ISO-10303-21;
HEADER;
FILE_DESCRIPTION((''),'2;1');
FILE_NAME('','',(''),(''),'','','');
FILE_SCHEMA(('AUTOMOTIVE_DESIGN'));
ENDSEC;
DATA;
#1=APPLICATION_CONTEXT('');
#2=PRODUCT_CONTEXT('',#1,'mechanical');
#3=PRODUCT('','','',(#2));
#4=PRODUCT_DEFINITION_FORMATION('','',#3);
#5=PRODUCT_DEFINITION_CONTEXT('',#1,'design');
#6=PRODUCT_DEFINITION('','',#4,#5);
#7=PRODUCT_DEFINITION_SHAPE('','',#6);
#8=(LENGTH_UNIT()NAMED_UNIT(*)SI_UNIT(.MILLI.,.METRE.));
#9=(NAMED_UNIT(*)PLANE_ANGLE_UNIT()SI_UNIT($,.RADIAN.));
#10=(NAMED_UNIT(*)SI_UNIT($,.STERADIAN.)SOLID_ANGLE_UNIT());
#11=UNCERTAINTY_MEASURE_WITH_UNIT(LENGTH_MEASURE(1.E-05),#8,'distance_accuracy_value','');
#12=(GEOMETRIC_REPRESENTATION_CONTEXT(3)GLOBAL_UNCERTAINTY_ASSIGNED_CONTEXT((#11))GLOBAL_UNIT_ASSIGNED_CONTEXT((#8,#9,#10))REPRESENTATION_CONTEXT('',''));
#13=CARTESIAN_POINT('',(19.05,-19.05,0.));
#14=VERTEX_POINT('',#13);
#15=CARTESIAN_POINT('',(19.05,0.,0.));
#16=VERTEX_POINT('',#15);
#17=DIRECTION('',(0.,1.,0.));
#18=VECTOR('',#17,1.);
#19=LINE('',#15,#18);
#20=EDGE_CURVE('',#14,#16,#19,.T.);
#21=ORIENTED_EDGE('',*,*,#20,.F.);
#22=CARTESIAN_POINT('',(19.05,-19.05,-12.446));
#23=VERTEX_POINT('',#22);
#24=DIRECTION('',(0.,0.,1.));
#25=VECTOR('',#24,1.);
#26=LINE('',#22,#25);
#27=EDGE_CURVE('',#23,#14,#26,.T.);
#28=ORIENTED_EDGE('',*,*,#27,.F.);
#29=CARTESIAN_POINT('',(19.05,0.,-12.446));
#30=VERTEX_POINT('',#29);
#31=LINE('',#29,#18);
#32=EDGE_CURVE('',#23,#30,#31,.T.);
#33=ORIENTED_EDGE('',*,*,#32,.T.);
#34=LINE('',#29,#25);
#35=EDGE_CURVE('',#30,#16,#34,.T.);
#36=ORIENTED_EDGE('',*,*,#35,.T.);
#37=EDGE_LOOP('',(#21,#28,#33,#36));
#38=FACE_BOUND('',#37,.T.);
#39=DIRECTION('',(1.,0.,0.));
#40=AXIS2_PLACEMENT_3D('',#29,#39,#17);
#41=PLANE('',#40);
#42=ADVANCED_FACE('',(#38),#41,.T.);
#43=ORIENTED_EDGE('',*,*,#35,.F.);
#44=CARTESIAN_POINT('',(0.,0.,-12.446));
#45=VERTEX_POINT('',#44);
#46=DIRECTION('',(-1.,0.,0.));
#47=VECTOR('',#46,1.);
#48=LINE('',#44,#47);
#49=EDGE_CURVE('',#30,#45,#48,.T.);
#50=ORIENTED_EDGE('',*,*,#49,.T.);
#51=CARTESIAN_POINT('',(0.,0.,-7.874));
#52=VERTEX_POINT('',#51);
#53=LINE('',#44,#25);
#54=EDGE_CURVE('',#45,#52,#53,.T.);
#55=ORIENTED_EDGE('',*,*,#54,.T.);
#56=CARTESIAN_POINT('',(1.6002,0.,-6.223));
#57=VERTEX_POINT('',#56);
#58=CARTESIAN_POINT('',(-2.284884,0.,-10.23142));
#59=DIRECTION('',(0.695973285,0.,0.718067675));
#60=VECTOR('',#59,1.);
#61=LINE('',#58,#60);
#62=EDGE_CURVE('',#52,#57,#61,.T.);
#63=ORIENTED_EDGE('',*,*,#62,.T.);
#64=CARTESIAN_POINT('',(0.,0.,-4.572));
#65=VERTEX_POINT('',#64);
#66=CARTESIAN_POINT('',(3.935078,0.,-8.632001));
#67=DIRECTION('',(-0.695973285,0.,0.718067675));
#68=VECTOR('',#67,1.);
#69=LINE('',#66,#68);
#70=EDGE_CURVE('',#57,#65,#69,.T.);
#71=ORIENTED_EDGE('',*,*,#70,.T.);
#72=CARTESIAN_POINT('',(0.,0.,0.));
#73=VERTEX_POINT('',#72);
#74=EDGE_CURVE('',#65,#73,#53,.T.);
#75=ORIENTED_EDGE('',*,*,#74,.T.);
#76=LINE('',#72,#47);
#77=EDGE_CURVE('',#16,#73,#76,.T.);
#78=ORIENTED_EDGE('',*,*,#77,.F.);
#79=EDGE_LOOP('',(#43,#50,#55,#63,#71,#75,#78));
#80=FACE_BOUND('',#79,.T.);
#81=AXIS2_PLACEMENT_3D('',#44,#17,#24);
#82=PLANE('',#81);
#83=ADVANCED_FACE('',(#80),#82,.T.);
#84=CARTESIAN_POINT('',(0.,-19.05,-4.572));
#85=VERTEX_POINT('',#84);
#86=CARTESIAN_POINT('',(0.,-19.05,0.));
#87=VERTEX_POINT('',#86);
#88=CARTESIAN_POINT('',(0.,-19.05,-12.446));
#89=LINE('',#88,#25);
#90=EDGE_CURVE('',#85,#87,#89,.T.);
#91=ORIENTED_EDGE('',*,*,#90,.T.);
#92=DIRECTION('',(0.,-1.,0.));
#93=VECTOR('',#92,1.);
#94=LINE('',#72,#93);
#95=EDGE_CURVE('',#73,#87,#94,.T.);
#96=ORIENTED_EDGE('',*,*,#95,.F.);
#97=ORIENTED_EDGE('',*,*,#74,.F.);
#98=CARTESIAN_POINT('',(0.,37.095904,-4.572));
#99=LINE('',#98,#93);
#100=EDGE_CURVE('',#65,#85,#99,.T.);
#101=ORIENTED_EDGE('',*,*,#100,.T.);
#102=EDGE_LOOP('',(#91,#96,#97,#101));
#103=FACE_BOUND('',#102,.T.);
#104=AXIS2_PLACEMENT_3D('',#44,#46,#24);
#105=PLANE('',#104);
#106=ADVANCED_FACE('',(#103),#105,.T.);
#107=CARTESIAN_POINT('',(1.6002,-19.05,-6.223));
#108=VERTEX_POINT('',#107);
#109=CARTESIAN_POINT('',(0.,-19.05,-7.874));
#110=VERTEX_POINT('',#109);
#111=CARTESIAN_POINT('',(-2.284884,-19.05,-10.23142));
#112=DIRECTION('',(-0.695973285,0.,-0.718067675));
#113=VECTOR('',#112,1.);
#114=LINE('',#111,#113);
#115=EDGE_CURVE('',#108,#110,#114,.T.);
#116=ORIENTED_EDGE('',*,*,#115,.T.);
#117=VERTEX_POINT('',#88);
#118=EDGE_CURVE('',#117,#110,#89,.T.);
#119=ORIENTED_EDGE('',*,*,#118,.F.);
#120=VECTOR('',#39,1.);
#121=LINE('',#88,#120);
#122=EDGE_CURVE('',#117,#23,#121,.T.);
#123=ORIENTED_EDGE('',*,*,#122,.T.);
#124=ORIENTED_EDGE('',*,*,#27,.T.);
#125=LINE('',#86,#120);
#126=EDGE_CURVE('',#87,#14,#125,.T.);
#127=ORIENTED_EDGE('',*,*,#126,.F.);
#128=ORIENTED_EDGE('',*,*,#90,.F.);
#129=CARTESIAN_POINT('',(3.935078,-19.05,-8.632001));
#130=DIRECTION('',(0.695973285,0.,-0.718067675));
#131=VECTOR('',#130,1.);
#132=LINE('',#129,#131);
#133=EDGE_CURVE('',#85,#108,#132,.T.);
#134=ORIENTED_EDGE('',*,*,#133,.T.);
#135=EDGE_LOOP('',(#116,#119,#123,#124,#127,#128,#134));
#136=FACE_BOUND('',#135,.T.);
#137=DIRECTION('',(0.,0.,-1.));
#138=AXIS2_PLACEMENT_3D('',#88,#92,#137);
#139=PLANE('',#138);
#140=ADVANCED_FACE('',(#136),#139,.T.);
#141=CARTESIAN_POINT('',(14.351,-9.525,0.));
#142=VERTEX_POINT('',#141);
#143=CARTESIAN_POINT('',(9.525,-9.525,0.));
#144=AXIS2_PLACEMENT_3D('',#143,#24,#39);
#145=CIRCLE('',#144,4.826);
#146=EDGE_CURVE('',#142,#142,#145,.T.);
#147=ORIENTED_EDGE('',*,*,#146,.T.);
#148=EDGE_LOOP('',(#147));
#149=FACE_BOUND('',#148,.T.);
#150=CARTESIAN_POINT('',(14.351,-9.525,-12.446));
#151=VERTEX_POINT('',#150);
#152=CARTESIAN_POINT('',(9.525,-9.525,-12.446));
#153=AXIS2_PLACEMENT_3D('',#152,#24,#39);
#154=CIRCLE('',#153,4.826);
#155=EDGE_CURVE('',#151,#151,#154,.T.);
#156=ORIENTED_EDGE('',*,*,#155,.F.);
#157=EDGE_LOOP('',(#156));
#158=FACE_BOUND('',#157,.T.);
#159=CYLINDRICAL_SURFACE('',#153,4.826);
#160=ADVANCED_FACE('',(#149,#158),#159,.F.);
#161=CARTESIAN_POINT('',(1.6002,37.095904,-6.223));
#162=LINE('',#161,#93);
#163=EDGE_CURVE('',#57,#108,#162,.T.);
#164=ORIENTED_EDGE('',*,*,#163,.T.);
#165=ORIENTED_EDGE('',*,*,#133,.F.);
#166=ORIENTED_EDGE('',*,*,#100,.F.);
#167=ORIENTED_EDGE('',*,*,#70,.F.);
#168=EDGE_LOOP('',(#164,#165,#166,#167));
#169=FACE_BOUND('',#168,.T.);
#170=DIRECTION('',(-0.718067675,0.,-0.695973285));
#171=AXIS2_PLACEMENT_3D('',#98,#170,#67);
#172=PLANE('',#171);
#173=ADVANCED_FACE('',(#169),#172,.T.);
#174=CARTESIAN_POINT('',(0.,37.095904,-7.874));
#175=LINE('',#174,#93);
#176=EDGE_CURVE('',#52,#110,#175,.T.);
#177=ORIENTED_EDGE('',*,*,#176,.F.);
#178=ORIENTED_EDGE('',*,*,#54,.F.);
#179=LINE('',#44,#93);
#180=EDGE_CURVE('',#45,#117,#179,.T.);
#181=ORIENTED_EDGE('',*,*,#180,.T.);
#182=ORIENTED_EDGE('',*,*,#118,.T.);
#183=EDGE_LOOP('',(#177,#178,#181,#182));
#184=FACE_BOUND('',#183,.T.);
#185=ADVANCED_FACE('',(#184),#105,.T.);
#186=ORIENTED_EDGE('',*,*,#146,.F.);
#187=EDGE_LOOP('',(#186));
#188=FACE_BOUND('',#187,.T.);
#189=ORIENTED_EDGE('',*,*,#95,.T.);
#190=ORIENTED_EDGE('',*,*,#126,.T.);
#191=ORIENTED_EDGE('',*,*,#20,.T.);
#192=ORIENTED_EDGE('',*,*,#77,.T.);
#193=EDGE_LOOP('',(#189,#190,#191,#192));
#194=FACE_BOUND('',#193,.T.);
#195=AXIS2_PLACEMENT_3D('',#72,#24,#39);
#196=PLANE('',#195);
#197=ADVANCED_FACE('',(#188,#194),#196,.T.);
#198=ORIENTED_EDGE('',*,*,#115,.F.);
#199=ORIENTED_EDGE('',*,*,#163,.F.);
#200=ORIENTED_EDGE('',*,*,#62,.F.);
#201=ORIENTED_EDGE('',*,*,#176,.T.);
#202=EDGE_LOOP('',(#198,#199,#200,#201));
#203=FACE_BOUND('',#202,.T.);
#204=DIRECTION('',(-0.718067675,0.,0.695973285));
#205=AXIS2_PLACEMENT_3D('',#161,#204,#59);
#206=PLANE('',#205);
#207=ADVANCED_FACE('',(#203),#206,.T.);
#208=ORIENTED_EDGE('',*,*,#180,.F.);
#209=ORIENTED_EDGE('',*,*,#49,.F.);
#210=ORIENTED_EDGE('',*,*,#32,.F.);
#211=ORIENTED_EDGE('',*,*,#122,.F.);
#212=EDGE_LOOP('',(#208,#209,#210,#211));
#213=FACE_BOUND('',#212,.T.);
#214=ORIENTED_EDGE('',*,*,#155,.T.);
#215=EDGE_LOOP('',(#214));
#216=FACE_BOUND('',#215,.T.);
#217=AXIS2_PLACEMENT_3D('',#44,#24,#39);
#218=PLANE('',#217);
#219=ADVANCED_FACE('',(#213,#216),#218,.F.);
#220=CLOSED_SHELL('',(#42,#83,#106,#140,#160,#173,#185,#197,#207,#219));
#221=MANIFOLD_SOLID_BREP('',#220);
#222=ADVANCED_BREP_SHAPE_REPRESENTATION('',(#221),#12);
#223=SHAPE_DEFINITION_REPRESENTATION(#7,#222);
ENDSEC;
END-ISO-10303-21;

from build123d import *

# Parameters (mm, degrees)
SKETCH1_W               = 19.05
SKETCH1_H               = 19.05
SKETCH1_R               = 4.826
BOSS_EXTRUDE1_DEPTH     = 12.446
CUT_EXTRUDE1_DEPTH      = 30.676723471
CUT_EXTRUDE1_DEPTH_BACK = 30.676723471


with BuildPart() as part:
    # Sketch1 → Boss-Extrude1 (new body)
    with BuildSketch(Plane.XY):
        with Locations((9.525, -9.525)):
            Rectangle(SKETCH1_W, SKETCH1_H)
        with Locations((9.525, -9.525)):
            Circle(SKETCH1_R, mode=Mode.SUBTRACT)
    extrude(amount=-BOSS_EXTRUDE1_DEPTH)

    # Sketch2 → Cut-Extrude1 (cut, two sides: drawn at the far end of the back side and taken through both)
    with BuildSketch(Plane(origin=(0, 0, 0), x_dir=(1, 0, 0), z_dir=(0, 1, 0)).offset(-CUT_EXTRUDE1_DEPTH_BACK)):
        Polygon((-35.652150586, -32.211964891), (0, 4.572), (1.6002, 6.223), (0, 7.874), (-35.652150586, 44.657964891), (-138.104791636, 44.657964891), (-138.104791636, -32.211964891), align=None)
    extrude(amount=CUT_EXTRUDE1_DEPTH + CUT_EXTRUDE1_DEPTH_BACK, mode=Mode.SUBTRACT)


solid = part.part
